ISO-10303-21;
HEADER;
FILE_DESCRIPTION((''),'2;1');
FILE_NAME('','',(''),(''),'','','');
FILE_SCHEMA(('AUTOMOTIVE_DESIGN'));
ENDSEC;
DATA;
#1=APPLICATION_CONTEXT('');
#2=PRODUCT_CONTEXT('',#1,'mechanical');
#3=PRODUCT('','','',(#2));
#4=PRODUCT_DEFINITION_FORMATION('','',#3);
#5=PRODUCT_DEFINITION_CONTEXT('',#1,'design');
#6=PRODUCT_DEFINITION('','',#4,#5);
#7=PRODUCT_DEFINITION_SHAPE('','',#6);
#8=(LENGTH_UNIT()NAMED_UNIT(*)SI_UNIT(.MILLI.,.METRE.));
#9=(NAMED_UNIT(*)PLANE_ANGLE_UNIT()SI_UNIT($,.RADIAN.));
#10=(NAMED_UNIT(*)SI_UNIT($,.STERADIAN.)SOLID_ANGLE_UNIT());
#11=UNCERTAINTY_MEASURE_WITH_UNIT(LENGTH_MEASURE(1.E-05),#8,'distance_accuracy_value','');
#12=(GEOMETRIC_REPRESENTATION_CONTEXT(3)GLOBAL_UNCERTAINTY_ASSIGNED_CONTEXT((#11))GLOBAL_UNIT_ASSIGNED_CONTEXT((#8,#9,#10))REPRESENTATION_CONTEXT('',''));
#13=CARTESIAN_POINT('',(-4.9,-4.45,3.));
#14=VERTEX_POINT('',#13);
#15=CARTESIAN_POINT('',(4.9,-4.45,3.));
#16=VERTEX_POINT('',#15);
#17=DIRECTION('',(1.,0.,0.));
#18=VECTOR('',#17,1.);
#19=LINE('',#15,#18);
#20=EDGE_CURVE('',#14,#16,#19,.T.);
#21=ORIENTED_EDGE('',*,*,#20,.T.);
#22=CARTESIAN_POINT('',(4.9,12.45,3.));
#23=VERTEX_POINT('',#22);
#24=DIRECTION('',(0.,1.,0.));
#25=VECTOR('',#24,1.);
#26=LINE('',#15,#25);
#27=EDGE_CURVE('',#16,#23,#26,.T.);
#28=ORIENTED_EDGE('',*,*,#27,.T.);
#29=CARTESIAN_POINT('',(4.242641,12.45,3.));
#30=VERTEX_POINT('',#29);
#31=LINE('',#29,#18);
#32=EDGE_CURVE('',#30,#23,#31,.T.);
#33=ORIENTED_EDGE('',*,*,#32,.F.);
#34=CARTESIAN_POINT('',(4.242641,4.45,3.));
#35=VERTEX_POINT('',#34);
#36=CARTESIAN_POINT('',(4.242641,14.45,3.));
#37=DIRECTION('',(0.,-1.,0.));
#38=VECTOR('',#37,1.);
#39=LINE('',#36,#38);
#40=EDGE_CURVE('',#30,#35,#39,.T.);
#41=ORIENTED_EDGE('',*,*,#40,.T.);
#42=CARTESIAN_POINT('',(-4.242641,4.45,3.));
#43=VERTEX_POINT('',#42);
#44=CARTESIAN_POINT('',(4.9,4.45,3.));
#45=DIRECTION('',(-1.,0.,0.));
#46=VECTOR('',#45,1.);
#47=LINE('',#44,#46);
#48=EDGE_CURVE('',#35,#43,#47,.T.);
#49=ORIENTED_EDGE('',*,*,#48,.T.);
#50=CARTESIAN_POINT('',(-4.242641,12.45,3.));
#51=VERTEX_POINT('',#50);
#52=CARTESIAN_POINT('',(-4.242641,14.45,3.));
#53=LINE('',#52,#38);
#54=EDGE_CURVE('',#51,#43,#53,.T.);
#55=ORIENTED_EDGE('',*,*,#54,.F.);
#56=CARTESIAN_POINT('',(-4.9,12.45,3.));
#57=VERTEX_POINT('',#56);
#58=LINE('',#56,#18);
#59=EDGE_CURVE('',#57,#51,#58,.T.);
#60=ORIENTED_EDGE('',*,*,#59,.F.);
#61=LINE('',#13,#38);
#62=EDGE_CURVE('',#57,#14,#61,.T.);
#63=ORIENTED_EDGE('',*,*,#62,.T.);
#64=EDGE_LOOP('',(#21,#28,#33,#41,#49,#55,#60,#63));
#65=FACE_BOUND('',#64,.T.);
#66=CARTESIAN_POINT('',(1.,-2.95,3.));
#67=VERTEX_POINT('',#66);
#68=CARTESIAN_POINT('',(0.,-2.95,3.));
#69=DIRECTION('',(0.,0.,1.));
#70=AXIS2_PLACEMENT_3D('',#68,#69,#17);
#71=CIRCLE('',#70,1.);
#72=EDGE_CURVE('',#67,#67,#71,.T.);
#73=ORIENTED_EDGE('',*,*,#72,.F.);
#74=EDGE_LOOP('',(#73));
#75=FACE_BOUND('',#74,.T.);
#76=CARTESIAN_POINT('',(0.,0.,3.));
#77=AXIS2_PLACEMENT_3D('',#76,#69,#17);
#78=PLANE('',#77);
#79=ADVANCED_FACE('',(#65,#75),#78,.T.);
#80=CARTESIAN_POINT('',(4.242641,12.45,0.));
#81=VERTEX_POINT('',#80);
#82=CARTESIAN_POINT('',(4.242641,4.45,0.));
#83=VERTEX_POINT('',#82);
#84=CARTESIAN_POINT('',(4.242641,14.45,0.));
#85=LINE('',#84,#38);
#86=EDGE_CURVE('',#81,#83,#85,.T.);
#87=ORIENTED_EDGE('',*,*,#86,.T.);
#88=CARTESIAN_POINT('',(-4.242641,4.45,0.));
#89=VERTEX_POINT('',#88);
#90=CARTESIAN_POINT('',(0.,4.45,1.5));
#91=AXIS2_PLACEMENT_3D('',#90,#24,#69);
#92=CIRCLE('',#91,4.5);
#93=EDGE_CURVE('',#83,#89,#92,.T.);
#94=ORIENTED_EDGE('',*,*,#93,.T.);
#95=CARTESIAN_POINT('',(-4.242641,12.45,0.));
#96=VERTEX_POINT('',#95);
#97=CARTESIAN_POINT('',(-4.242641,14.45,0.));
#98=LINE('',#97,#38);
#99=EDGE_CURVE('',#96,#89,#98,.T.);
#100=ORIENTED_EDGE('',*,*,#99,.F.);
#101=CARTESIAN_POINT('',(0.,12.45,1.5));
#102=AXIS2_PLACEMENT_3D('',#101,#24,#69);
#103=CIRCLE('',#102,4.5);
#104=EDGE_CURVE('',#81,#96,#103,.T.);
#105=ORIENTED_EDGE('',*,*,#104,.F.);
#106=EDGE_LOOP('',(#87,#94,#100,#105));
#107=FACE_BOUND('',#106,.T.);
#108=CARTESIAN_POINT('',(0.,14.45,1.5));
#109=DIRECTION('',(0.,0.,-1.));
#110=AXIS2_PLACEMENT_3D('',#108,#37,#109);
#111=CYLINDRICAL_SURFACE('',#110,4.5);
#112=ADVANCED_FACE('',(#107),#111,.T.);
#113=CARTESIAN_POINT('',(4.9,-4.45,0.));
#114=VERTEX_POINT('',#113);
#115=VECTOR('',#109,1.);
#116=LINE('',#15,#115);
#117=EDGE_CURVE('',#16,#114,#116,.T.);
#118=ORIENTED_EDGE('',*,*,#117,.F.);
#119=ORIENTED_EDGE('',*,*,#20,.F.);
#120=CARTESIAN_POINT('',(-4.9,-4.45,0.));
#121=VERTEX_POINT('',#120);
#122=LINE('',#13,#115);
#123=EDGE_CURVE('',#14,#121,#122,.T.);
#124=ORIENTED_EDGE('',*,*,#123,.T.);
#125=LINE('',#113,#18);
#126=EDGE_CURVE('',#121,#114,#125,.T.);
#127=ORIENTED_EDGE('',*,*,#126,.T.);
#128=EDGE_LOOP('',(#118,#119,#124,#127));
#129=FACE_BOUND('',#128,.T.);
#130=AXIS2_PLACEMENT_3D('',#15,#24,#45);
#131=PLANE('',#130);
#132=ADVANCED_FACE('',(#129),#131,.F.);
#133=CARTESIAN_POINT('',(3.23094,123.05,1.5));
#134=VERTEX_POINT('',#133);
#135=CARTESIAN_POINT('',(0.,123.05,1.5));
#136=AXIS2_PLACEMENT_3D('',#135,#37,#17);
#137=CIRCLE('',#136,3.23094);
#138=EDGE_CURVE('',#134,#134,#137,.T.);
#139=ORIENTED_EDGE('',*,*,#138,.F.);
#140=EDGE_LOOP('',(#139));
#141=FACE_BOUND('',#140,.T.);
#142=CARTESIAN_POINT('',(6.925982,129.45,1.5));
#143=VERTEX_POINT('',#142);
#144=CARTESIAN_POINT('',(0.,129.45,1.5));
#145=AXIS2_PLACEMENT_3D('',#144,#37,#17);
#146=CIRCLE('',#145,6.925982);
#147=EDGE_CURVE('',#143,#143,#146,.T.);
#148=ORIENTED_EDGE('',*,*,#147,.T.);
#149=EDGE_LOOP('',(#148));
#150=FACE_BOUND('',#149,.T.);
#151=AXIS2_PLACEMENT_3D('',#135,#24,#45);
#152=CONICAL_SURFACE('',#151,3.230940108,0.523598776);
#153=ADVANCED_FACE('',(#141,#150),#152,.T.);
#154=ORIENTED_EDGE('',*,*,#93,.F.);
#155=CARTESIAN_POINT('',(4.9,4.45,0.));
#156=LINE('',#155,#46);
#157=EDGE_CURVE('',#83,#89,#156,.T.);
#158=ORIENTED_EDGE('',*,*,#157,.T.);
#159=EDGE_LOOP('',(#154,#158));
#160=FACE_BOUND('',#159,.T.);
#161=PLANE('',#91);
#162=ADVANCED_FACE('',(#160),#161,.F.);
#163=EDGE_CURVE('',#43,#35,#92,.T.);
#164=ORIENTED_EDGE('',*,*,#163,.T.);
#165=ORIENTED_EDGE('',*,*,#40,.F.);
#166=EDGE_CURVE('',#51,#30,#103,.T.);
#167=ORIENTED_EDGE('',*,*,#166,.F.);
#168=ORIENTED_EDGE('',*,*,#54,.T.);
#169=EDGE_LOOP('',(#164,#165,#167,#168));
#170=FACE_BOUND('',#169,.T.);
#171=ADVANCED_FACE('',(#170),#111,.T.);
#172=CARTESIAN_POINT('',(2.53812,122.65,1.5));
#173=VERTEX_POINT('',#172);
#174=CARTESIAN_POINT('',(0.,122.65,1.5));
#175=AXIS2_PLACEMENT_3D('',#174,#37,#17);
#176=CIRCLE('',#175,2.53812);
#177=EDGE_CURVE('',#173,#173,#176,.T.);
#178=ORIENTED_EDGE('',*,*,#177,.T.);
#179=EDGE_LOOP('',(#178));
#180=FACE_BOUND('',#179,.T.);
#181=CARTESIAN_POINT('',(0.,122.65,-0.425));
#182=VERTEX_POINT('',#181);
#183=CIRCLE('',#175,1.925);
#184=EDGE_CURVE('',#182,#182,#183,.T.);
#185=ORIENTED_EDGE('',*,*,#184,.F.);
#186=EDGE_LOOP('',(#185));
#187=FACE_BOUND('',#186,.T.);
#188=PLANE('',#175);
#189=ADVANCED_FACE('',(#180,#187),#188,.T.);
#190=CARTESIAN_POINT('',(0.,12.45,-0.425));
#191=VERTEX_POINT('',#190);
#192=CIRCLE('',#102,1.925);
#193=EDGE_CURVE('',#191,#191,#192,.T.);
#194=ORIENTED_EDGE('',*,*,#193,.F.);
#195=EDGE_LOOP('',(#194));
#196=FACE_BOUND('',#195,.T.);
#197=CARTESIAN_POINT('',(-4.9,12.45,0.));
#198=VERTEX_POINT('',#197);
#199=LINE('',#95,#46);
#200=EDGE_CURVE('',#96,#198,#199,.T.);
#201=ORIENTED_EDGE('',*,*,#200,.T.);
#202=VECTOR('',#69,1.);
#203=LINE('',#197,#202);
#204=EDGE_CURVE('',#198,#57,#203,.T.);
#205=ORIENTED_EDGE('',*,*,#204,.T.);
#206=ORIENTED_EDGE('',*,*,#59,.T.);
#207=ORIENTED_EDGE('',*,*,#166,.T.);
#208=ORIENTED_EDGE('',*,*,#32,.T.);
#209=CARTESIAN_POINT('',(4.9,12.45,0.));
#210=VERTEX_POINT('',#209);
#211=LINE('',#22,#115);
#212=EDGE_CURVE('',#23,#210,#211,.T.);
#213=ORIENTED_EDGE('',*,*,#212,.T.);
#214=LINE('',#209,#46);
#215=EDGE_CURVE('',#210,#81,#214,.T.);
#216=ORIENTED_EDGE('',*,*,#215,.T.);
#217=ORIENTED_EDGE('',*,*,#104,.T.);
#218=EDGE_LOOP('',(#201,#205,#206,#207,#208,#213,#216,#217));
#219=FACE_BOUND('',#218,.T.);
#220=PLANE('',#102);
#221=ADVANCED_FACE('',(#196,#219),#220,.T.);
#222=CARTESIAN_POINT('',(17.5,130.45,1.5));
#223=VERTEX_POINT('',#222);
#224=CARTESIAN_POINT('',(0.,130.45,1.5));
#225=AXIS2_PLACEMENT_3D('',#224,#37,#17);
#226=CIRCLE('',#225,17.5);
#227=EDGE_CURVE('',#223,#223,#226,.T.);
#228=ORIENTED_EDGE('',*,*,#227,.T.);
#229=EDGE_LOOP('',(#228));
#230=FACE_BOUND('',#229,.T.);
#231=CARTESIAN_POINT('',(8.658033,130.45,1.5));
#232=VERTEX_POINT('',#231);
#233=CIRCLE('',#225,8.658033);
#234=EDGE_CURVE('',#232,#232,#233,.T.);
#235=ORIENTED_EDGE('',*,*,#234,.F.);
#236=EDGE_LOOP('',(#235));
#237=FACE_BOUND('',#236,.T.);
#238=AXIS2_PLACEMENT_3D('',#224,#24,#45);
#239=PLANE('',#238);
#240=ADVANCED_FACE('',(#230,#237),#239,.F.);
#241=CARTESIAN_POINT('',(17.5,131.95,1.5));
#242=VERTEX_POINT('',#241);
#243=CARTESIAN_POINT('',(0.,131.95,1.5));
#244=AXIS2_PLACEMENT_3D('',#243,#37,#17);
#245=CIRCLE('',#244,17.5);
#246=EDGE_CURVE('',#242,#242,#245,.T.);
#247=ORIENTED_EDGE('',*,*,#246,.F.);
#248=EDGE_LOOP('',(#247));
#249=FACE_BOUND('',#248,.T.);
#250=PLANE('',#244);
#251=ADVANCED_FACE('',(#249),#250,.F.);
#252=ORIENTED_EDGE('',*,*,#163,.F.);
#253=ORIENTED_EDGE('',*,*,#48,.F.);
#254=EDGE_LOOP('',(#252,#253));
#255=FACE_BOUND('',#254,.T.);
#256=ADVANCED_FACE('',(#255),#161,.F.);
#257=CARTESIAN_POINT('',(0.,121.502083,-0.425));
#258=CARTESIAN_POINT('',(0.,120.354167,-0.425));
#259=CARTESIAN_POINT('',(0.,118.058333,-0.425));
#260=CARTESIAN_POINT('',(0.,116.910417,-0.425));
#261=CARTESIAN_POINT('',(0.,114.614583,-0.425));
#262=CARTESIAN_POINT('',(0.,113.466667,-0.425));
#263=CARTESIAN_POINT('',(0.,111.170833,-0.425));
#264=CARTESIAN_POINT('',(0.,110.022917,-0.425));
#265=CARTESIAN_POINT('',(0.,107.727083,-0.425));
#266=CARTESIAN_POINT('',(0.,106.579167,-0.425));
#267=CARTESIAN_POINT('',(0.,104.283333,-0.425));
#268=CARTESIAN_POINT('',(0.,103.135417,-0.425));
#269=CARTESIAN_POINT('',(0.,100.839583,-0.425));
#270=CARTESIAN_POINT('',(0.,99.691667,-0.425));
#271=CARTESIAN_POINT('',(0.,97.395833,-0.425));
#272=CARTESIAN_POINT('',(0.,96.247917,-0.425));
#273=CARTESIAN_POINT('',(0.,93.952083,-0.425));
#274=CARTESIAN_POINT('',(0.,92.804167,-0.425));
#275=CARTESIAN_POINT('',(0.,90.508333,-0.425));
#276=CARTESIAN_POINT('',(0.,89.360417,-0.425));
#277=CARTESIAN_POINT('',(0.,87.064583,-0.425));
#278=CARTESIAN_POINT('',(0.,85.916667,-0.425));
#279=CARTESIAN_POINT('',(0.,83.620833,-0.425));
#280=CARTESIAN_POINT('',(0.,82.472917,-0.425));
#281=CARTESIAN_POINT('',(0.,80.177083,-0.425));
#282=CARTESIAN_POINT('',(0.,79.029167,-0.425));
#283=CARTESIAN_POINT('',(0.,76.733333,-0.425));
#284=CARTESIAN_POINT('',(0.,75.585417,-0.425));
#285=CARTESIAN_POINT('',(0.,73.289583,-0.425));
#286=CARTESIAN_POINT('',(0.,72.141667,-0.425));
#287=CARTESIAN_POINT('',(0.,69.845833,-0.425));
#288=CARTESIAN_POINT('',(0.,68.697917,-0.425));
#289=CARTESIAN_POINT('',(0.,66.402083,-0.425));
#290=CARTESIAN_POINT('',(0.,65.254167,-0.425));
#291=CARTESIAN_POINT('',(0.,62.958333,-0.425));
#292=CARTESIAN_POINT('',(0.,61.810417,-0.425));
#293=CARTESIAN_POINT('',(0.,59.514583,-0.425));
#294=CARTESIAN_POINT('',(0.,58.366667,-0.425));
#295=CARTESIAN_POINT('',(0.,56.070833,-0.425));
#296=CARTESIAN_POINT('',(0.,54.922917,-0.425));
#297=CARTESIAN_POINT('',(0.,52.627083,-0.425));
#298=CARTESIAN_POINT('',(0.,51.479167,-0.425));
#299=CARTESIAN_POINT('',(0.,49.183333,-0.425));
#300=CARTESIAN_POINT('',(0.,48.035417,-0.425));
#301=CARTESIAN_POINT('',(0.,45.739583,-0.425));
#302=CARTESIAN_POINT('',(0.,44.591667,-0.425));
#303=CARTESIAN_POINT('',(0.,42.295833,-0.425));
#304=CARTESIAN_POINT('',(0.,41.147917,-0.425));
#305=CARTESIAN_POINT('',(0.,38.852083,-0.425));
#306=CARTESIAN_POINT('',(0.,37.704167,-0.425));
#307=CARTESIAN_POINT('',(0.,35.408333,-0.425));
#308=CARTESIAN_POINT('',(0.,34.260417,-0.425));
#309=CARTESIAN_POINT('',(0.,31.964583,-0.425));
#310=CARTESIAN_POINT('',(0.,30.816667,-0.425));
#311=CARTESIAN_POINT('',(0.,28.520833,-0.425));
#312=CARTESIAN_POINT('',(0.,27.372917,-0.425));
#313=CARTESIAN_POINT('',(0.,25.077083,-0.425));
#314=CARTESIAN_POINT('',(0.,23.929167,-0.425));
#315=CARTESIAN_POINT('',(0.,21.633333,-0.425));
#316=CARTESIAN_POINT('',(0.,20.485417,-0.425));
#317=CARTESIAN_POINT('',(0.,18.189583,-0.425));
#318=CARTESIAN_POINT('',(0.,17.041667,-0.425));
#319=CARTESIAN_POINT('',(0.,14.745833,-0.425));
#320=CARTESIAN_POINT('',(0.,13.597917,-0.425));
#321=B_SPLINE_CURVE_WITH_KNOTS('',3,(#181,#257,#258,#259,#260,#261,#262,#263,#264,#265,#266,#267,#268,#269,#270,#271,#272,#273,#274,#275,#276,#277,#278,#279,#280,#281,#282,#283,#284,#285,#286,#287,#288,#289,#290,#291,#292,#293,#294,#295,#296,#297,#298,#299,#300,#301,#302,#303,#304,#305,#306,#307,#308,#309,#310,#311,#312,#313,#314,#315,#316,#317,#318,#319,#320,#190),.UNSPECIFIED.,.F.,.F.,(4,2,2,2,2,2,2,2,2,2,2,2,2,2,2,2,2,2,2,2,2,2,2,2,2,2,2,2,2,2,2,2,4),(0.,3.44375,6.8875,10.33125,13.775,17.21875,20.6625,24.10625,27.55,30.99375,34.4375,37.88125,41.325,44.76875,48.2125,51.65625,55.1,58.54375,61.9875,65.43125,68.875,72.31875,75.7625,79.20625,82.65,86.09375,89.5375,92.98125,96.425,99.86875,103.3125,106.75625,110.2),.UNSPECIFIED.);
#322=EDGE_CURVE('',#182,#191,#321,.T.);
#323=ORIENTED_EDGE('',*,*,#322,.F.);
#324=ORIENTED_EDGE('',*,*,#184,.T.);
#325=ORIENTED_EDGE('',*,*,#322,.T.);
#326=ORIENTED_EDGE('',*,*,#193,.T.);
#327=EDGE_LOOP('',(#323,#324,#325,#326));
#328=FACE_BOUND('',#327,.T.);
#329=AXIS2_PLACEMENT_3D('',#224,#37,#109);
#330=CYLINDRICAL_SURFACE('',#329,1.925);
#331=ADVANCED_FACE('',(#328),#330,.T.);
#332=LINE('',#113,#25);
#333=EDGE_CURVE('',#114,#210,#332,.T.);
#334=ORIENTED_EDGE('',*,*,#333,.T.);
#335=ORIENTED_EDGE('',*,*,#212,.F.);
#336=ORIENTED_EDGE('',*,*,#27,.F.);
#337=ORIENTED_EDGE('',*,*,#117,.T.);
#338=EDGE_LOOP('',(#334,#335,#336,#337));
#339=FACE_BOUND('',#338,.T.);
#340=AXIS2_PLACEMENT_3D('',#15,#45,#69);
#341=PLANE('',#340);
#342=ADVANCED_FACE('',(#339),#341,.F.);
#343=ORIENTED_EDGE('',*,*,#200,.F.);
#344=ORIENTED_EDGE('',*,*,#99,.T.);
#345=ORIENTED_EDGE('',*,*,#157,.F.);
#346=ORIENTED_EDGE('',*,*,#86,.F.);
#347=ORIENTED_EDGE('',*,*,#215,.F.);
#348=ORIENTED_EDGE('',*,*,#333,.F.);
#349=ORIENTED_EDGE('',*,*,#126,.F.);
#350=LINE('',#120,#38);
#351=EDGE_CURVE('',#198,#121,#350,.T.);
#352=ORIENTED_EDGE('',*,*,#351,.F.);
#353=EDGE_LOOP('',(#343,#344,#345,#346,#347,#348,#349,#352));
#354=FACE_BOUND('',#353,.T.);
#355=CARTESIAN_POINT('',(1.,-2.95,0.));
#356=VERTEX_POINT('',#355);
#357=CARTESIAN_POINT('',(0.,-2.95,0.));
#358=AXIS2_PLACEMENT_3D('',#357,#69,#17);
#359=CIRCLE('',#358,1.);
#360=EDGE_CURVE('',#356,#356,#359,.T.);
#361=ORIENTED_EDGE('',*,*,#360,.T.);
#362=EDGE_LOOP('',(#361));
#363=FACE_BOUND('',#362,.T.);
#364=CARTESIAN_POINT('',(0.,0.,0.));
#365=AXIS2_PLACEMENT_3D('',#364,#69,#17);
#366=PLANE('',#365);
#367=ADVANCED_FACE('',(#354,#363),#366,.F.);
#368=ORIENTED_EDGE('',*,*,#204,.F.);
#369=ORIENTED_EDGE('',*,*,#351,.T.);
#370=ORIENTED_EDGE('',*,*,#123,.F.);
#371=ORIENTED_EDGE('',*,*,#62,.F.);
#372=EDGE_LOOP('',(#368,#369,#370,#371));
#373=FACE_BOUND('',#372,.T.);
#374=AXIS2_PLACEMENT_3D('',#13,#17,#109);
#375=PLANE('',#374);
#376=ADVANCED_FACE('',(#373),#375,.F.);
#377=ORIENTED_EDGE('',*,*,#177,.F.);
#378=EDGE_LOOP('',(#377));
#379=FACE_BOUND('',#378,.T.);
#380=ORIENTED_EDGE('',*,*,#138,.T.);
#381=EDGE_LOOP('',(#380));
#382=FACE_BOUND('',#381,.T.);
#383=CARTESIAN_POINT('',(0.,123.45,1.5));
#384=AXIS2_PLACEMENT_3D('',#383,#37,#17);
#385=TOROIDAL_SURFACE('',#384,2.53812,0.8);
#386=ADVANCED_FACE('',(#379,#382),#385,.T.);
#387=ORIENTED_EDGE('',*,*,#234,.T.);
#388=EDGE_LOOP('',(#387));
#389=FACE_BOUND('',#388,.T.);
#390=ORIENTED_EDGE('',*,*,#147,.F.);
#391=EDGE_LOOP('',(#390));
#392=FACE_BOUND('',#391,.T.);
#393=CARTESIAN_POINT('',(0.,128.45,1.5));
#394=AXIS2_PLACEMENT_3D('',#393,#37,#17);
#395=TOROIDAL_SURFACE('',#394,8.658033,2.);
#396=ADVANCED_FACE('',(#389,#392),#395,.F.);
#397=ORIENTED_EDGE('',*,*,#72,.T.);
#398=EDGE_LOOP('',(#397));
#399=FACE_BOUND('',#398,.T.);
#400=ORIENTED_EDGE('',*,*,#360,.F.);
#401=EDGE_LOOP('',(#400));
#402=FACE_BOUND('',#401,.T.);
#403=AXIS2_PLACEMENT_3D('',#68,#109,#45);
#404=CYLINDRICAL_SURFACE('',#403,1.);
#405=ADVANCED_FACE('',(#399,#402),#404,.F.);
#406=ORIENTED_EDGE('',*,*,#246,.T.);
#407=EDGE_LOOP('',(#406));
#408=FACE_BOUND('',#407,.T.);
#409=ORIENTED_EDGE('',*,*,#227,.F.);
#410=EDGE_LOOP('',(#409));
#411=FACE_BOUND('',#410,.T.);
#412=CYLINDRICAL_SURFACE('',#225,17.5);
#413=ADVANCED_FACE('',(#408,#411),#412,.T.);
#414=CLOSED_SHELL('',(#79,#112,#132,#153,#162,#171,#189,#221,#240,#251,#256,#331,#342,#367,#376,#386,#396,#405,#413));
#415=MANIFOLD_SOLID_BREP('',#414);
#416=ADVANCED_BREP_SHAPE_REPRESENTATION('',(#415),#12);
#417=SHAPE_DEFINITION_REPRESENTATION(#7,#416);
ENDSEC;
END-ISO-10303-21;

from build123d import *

# Parameters (mm, degrees)
SKETCH1_W           = 9.8
SKETCH1_H           = 8.9
SKETCH1_R           = 1
BOSS_EXTRUDE2_DEPTH = 3
BOSS_EXTRUDE4_DEPTH = 10
SKETCH4_R           = 1.925
BOSS_EXTRUDE5_DEPTH = 116
CUT_EXTRUDE1_START  = -2
CUT_EXTRUDE1_DEPTH  = 2
BOSS_EXTRUDE6_REACH = 122.306
SKETCH9_R           = 1.925


with BuildPart() as part:
    # Sketch1 → Boss-Extrude2 (new body)
    with BuildSketch(Plane.XY):
        Rectangle(SKETCH1_W, SKETCH1_H)
        with Locations((0, -2.95)):
            Circle(SKETCH1_R, mode=Mode.SUBTRACT)
    extrude(amount=BOSS_EXTRUDE2_DEPTH)

    # Sketch3 → Boss-Extrude4 (add)
    with BuildSketch(Plane(origin=(0, 4.45, 0), x_dir=(1, 0, 0), z_dir=(0, 1, 0))):
        with BuildLine():
            Line((4.9, -3), (4.9, 0))
            Line((4.9, 0), (4.242640687, 0))
            ThreePointArc((4.242640687, 0), (0, 3), (-4.242640687, 0))
            Line((-4.242640687, 0), (-4.9, 0))
            Line((-4.9, 0), (-4.9, -3))
            Line((-4.9, -3), (-4.242640687, -3))
            ThreePointArc((-4.242640687, -3), (0, -6), (4.242640687, -3))
            Line((4.242640687, -3), (4.9, -3))
        make_face()
    extrude(amount=BOSS_EXTRUDE4_DEPTH)

    # Sketch4 → Boss-Extrude5 (add)
    with BuildSketch(Plane(origin=(0, 14.45, 0), x_dir=(1, 0, 0), z_dir=(0, 1, 0))):
        with Locations(Location((0, -1.5, 0), (0, 0, 90))):
            Circle(SKETCH4_R)
    extrude(amount=BOSS_EXTRUDE5_DEPTH)

    # Sketch7 → Revolve1 (revolve)
    with BuildSketch(Plane.XY.offset(1.5)):
        with BuildLine():
            Line((3.230940108, 123.05), (6.92598183, 129.45))
            ThreePointArc((6.92598183, 129.45), (7.658032638, 130.182050808), (8.658032638, 130.45))
            Line((8.658032638, 130.45), (17.5, 130.45))
            Line((17.5, 130.45), (17.5, 131.95))
            Line((17.5, 131.95), (0, 131.95))
            Line((0, 131.95), (0, 130.45))
            Line((0, 130.45), (1.925, 130.45))
            Line((1.925, 130.45), (1.925, 122.65))
            Line((1.925, 122.65), (2.538119785, 122.65))
            ThreePointArc((2.538119785, 122.65), (2.938119785, 122.757179677), (3.230940108, 123.05))
        make_face()
    revolve(axis=Axis((0, 130.45, 1.5), (0, 1, 0)))

    # Sketch8 → Cut-Extrude1 (cut)
    with BuildSketch(Plane(origin=(0, 14.45, 0), x_dir=(1, 0, 0), z_dir=(0, 1, 0)).offset(CUT_EXTRUDE1_START)):
        with BuildLine():
            Line((-4.242640687, 0), (-4.9, 0))
            Line((-4.9, 0), (-4.9, -3))
            Line((-4.9, -3), (-4.242640687, -3))
            ThreePointArc((-4.242640687, -3), (0, -6), (4.242640687, -3))
            Line((4.242640687, -3), (4.9, -3))
            Line((4.9, -3), (4.9, 0))
            Line((4.9, 0), (4.242640687, 0))
            ThreePointArc((4.242640687, 0), (0, 3), (-4.242640687, 0))
        make_face()
    extrude(amount=CUT_EXTRUDE1_DEPTH, mode=Mode.SUBTRACT)


with BuildPart() as cut_extrude1_piece_1:
    # of the separate pieces the step leaves, piece 1, a body of its own (cut_extrude1_pieces)
    add(part.part.solids().sort_by_distance((0, 14.45, -0.425))[0])


with BuildPart() as cut_extrude1_piece_2:
    # of the separate pieces the step leaves, piece 2, a body of its own (cut_extrude1_pieces)
    add(part.part.solids().sort_by_distance((4.9, -4.45, 0))[0])

    # Sketch9 → Boss-Extrude6 (add, up to next)
    with BuildSketch(Plane.XZ.offset(-14.45), mode=Mode.PRIVATE) as boss_extrude6_sk1:
        with Locations(Location((0, 1.5, 0), (0, 0, 270))):
            Circle(SKETCH9_R)
    boss_extrude6_tool1 = extrude(boss_extrude6_sk1.sketch, amount=BOSS_EXTRUDE6_REACH, mode=Mode.PRIVATE) - cut_extrude1_piece_2.part

    add(cut_extrude1_piece_1.part)  # Boss-Extrude6 merges Cut-Extrude1 piece 1
    add(boss_extrude6_tool1.solids().sort_by_distance((0, 14.45, 1.5))[0])


solid = cut_extrude1_piece_2.part
